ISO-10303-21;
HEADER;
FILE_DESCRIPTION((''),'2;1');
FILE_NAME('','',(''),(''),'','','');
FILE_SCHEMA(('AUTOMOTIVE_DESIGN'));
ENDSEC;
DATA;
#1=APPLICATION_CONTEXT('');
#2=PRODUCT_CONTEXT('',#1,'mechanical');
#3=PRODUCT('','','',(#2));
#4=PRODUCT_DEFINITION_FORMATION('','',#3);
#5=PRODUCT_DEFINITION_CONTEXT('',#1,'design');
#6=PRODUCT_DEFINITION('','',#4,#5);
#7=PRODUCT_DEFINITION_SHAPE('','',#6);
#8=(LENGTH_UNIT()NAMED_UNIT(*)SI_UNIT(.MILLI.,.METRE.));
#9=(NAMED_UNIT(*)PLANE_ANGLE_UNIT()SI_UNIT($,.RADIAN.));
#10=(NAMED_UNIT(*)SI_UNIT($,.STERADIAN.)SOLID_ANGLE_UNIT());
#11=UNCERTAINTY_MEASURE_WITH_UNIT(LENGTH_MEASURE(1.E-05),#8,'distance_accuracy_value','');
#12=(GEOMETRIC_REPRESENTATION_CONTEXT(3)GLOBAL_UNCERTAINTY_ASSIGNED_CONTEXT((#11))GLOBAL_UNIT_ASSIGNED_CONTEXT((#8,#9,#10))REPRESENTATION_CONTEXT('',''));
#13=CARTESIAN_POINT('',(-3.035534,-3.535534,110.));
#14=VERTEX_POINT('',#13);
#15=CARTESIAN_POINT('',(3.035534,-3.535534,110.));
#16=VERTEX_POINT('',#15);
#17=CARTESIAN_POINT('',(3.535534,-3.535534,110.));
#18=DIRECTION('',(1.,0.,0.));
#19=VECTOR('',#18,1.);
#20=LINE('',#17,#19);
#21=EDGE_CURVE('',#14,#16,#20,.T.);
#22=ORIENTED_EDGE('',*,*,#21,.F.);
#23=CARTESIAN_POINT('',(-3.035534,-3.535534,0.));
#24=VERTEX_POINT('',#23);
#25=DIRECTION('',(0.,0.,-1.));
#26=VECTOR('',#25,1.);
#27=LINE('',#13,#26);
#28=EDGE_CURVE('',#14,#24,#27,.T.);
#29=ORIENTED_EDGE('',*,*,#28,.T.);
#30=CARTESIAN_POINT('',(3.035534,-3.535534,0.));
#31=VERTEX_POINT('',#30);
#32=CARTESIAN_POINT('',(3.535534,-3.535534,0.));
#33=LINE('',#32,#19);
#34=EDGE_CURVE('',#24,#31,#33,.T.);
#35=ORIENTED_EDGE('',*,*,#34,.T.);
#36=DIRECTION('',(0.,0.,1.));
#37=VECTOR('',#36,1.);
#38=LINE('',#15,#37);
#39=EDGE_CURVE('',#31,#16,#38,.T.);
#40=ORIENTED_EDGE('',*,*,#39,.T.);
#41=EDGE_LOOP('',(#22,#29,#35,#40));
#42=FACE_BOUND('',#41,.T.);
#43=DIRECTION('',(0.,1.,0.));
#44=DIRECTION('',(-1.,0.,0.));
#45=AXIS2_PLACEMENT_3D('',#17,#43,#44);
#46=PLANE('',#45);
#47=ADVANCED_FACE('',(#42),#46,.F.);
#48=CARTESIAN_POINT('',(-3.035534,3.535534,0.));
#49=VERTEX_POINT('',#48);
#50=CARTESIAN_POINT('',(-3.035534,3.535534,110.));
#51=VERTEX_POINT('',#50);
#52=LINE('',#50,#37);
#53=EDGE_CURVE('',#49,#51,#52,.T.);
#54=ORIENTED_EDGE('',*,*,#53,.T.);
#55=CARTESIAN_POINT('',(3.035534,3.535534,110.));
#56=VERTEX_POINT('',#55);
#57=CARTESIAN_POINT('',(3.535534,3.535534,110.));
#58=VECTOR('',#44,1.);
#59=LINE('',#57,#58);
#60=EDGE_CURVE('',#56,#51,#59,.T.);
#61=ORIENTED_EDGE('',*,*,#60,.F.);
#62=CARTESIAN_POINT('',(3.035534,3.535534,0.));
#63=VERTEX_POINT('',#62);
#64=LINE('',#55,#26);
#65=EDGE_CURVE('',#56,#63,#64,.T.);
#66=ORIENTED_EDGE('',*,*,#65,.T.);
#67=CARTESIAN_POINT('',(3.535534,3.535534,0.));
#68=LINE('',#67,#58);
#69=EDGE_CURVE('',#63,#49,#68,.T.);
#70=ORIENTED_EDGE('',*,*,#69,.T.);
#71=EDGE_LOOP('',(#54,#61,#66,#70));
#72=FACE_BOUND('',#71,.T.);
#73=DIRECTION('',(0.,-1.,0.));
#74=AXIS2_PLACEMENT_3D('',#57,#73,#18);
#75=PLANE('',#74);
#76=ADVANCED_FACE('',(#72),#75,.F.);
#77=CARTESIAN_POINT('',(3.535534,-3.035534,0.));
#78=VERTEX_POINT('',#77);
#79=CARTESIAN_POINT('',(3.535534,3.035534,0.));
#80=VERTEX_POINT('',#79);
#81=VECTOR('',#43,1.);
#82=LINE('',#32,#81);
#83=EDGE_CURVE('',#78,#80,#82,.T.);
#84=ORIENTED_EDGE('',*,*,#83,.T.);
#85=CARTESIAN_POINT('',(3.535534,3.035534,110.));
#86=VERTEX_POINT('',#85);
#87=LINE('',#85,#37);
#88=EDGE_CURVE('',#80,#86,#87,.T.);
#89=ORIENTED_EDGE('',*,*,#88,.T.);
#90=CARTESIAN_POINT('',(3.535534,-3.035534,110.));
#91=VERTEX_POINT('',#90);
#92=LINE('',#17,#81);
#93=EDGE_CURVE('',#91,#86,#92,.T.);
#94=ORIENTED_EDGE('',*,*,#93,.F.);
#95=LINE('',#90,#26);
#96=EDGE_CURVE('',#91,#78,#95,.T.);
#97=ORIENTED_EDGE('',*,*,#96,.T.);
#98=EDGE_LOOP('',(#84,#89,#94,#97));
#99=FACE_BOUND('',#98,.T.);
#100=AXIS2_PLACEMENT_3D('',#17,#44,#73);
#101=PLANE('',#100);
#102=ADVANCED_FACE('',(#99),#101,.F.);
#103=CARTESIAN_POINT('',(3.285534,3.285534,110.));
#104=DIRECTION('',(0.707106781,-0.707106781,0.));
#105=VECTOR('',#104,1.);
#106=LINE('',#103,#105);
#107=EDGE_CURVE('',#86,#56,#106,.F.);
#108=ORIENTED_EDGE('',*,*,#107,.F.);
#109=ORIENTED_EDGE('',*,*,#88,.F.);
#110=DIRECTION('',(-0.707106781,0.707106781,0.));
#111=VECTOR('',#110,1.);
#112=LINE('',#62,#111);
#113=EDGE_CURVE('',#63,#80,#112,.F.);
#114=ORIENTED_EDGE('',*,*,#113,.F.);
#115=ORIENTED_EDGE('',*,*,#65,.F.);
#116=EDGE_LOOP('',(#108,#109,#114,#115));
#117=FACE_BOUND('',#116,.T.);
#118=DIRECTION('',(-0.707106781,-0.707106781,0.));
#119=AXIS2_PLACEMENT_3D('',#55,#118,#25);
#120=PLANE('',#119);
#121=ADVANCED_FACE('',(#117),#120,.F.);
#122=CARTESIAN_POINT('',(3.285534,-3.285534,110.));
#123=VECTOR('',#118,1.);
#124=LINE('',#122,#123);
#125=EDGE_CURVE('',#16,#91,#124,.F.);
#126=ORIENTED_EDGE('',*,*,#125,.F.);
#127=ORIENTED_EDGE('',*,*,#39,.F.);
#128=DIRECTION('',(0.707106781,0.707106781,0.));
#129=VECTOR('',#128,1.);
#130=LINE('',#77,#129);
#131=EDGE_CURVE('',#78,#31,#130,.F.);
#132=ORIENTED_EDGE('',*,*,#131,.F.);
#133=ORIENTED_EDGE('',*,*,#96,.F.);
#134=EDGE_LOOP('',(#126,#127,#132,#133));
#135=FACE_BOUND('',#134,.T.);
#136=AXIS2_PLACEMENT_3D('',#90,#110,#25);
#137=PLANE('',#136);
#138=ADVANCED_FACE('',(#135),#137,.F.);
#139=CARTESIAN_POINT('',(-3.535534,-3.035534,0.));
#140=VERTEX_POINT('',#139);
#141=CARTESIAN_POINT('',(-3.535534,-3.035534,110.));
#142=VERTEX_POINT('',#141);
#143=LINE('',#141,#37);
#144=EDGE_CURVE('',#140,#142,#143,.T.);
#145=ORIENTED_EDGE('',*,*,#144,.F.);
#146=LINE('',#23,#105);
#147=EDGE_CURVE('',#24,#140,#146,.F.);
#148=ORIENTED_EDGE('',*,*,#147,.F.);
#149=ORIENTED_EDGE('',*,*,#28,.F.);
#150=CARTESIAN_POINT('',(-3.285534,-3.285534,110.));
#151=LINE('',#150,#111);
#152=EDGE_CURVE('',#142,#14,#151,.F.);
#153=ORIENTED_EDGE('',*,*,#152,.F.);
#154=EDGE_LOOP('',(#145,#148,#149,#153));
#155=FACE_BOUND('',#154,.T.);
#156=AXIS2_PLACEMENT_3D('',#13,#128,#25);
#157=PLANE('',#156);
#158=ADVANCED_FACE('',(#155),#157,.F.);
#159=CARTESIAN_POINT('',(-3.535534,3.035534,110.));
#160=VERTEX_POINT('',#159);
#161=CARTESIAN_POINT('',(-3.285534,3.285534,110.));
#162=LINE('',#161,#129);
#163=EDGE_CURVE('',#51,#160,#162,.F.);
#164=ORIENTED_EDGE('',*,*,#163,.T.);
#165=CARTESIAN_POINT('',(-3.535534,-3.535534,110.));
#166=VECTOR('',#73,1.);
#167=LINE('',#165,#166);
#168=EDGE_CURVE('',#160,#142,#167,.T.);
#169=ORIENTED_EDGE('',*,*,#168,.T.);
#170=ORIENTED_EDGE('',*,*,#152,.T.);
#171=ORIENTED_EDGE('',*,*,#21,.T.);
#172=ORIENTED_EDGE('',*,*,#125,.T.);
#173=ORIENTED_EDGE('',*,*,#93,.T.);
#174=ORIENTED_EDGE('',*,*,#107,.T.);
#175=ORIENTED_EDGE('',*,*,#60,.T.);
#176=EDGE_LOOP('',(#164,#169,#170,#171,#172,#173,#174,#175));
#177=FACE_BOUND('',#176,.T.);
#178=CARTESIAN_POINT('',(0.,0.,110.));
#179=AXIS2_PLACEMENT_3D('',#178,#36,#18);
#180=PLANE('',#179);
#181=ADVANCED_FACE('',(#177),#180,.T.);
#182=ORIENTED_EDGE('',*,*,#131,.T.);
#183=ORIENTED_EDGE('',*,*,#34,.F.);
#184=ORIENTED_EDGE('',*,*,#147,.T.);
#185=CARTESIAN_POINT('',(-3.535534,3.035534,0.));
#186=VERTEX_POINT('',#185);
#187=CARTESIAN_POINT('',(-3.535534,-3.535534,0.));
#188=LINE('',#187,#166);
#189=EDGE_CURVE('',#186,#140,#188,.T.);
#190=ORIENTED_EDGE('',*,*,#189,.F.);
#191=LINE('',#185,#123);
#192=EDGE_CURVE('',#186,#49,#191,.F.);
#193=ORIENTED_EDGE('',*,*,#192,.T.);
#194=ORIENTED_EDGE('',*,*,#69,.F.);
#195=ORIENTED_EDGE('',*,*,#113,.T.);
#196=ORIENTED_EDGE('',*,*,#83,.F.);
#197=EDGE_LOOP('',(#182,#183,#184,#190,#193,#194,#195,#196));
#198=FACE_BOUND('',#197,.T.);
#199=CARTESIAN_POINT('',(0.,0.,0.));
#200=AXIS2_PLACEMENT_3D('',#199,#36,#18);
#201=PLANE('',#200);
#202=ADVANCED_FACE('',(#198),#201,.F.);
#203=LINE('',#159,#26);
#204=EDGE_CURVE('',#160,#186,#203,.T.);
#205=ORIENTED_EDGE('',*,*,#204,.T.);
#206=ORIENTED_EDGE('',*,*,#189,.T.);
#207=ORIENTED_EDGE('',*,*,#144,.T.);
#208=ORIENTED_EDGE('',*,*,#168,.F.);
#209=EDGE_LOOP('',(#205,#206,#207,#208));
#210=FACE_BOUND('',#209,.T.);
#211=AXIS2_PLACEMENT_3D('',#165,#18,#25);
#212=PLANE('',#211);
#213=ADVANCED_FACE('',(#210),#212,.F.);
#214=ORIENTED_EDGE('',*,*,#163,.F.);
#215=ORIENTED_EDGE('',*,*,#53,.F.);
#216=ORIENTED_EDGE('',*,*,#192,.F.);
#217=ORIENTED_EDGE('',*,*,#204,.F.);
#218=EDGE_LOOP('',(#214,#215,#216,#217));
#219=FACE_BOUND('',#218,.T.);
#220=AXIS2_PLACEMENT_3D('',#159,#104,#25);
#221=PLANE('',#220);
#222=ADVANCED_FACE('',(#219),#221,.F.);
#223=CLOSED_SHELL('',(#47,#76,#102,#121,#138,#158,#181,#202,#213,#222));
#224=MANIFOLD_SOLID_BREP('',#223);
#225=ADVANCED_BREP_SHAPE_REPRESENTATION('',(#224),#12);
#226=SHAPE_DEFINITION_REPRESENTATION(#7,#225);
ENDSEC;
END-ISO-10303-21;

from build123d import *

# Parameters (mm, degrees)
SKETCH1_W           = 7.071067812
SKETCH1_H           = 7.071067812
BOSS_EXTRUDE1_DEPTH = 110
CHAMFER2_SIZE       = 0.5


with BuildPart() as part:
    # Sketch1 → Boss-Extrude1 (new body)
    with BuildSketch(Plane.XY):
        Rectangle(SKETCH1_W, SKETCH1_H)
    extrude(amount=BOSS_EXTRUDE1_DEPTH)

    # Chamfer2
    chamfer2_edges = [part.edges().sort_by_distance(p)[0] for p in [
        (-3.535533906, 3.535533906, 55),
        (3.535533906, 3.535533906, 55),
        (3.535533906, -3.535533906, 55),
        (-3.535533906, -3.535533906, 55),
    ]]
    chamfer(chamfer2_edges, length=CHAMFER2_SIZE)


solid = part.part
